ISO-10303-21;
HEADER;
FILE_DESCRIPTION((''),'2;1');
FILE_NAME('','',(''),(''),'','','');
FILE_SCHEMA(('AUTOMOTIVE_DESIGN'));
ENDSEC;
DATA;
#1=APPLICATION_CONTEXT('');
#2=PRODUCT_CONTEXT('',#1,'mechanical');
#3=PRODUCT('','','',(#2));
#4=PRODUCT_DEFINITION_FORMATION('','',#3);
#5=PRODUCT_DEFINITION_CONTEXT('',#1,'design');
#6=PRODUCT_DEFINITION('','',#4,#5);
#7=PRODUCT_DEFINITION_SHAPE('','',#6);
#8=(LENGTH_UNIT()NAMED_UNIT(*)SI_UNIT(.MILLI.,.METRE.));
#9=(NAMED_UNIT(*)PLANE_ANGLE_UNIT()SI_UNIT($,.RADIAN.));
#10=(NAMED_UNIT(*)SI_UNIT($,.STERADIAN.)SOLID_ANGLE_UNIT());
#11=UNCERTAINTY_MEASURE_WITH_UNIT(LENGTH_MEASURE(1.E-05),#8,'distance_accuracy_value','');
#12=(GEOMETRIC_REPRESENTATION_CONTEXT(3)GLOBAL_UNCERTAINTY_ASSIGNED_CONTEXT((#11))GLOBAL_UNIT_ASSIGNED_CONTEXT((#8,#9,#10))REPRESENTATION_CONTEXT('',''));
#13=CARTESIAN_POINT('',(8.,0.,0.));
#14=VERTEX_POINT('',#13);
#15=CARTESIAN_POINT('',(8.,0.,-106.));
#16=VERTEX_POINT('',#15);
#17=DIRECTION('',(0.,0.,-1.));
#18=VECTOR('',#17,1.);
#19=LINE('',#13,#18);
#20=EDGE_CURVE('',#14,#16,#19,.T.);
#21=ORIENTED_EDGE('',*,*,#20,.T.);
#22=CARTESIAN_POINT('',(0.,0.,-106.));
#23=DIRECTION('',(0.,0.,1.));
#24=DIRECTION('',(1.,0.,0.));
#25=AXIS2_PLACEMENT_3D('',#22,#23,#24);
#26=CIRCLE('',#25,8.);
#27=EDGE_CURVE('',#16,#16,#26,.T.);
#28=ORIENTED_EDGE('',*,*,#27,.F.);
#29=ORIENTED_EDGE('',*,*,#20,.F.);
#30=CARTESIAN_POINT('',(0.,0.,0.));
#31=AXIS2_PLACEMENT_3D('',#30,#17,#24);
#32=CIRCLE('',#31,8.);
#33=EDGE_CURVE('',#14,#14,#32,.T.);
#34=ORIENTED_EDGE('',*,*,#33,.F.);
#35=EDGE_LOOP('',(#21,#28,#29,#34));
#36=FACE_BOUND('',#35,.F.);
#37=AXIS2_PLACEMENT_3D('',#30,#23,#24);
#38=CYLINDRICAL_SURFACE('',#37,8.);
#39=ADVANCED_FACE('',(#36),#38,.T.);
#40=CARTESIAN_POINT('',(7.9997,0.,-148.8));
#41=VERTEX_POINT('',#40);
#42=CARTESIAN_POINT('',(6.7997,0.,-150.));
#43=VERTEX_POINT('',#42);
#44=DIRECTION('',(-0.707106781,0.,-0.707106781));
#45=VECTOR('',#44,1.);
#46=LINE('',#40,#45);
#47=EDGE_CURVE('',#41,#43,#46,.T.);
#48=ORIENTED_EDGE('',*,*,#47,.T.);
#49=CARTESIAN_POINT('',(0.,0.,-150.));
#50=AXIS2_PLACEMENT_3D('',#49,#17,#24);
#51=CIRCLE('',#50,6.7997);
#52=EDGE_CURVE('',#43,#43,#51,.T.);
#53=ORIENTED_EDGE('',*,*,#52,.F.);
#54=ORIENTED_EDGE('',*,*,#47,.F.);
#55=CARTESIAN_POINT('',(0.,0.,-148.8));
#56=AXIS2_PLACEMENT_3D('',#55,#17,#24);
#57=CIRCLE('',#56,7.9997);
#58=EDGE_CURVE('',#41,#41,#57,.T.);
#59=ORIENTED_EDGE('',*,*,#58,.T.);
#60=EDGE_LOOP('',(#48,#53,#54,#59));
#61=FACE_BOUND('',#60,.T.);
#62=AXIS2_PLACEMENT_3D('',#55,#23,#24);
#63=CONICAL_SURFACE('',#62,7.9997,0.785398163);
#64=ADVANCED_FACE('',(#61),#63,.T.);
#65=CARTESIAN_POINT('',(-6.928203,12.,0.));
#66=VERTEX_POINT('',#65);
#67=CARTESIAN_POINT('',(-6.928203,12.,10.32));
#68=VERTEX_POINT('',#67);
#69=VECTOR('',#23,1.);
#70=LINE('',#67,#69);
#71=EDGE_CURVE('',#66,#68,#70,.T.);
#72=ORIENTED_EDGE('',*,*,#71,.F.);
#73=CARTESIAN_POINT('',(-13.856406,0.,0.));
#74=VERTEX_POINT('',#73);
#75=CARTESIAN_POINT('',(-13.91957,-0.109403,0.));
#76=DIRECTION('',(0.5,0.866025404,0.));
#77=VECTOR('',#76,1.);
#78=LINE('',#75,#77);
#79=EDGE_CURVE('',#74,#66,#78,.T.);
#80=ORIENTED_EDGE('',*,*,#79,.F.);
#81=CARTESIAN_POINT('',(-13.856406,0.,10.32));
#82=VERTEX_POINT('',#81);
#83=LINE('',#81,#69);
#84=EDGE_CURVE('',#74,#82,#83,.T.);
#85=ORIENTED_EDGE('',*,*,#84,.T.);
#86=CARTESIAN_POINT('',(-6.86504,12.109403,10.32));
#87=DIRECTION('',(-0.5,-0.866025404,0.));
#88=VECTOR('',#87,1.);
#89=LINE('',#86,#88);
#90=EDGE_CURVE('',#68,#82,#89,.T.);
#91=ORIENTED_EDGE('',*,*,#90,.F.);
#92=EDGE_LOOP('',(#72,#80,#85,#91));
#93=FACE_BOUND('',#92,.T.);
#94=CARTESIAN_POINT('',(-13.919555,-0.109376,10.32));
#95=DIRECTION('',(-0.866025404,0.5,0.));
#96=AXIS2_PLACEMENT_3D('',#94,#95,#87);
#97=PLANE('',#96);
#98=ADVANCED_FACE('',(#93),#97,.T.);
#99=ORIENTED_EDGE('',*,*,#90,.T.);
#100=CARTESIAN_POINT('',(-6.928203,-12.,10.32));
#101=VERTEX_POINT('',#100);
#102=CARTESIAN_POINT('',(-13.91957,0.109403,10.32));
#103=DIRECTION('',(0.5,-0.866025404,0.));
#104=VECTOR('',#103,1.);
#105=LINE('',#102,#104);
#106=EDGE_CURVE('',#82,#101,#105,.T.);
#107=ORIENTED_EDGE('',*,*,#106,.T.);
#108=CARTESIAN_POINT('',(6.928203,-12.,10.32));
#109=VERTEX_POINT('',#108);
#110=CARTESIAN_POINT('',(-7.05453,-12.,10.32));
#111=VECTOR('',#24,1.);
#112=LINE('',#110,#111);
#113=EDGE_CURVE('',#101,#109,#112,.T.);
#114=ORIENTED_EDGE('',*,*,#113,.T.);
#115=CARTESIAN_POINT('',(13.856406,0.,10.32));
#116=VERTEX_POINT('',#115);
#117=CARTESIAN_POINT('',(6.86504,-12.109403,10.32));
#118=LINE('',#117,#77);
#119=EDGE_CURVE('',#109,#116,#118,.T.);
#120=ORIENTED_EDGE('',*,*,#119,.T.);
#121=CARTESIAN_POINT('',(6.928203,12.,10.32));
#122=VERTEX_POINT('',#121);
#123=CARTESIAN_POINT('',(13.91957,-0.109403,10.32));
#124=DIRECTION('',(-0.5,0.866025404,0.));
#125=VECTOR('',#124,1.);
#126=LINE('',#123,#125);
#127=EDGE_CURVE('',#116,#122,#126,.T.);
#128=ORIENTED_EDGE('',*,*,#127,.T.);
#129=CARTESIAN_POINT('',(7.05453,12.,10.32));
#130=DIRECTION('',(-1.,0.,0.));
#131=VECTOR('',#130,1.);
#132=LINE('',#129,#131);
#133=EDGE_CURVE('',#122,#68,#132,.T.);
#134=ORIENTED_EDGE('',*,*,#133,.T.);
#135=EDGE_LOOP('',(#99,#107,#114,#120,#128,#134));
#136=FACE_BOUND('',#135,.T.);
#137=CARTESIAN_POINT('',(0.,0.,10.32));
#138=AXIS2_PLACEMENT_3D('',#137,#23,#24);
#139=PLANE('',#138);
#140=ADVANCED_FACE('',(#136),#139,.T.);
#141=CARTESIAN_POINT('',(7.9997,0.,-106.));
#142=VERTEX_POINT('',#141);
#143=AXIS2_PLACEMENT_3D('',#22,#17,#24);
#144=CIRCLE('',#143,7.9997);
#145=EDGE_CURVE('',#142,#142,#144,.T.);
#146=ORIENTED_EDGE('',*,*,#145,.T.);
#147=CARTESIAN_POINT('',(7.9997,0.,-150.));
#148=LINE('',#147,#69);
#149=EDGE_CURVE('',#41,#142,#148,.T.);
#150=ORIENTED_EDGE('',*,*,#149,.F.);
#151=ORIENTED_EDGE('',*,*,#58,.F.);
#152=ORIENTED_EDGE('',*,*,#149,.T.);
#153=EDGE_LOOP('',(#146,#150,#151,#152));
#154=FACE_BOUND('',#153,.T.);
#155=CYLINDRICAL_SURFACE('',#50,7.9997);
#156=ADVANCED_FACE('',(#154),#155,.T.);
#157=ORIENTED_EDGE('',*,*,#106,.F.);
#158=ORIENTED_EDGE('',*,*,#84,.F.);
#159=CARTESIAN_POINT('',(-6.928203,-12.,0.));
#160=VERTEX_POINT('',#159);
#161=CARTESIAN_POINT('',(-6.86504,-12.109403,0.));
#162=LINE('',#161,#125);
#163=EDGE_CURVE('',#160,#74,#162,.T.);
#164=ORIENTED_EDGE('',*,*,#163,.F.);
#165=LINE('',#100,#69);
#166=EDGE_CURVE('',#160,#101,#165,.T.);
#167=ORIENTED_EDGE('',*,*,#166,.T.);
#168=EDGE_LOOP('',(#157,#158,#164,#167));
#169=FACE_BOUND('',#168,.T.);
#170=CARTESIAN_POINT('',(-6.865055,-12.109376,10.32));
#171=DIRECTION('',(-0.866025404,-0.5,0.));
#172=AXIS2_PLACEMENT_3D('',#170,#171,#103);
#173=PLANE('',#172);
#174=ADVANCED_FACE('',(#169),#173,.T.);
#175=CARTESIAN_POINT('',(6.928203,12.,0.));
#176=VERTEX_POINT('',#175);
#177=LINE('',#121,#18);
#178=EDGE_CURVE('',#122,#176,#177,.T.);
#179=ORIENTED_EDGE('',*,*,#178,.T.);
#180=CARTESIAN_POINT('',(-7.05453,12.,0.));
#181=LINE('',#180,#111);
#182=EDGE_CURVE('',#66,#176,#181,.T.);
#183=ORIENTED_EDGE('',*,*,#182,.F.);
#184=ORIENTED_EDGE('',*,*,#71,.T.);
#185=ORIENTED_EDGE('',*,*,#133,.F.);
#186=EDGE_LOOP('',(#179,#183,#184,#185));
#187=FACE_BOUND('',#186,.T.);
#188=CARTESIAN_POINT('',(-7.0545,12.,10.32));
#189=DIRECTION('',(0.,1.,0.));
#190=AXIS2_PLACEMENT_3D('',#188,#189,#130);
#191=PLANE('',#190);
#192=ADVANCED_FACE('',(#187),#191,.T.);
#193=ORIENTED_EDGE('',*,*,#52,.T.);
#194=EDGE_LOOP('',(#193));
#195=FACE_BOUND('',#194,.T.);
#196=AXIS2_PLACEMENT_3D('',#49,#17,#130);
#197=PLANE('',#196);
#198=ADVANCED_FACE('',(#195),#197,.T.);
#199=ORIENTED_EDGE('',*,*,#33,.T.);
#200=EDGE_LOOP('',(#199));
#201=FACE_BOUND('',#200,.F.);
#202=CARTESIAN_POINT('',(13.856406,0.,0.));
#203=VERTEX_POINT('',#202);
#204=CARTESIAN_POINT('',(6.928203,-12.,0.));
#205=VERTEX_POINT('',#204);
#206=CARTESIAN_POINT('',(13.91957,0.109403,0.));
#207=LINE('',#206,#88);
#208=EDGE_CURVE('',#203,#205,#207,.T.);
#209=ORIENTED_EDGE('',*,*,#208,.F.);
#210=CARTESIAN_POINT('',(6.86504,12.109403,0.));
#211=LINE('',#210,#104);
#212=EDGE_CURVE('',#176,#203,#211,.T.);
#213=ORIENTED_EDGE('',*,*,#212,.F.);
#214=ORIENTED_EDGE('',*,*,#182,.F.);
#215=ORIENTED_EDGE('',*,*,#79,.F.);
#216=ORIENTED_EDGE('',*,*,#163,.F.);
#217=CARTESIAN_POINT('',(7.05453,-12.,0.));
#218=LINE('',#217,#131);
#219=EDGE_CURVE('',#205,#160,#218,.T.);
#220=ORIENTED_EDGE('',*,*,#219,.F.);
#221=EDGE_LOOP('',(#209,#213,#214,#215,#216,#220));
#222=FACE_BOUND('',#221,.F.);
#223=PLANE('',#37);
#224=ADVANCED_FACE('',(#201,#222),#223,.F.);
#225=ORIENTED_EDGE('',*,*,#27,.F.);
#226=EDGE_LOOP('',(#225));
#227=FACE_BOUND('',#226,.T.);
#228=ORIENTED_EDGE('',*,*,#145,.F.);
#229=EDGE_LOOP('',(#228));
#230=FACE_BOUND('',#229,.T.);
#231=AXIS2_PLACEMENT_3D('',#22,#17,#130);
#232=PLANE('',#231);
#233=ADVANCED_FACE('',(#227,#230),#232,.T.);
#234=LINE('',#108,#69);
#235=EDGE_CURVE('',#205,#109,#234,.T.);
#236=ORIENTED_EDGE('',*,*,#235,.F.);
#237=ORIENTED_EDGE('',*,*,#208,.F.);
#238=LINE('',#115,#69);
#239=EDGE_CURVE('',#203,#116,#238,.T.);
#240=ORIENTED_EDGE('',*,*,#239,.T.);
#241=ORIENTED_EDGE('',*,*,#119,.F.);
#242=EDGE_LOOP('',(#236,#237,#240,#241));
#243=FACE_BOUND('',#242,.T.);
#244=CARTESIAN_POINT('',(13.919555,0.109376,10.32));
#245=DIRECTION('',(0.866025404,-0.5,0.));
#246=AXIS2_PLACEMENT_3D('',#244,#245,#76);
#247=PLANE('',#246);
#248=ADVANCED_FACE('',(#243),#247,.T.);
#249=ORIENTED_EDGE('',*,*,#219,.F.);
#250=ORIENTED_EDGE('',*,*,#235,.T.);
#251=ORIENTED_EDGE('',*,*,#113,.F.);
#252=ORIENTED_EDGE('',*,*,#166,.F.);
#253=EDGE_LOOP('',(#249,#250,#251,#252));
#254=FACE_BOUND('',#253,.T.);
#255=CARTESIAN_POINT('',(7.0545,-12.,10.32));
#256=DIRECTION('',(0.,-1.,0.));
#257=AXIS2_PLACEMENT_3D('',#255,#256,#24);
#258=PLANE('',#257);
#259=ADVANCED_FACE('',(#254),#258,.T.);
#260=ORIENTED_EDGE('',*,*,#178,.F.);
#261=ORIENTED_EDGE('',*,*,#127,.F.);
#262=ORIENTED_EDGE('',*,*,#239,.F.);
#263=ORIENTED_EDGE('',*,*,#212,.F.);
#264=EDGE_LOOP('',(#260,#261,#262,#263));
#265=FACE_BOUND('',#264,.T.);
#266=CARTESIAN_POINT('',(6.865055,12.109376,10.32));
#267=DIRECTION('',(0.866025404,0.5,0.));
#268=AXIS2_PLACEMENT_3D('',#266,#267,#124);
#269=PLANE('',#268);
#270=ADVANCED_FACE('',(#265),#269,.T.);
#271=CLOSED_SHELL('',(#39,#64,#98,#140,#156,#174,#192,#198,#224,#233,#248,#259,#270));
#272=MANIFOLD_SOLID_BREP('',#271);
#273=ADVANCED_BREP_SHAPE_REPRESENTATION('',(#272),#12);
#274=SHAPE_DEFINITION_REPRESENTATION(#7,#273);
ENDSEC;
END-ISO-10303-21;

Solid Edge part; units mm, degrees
sketch "Sketch1" plane through (0, 0, 0) normal (0, 0, 1) x (1, 0, 0)
  circle A0 centre (0, 0) radius 13.92
  dimension "D1" = 27.84
extrude "Protrusion1" add sketch "Sketch1" along normal blind 10.32
sketch "Sketch2" plane through (0, 0, 0) normal (0, 0, -1) x (1, 0, 0)
  circle A0 centre (0, 0) radius 8
extrude "Protrusion2" add sketch "Sketch2" along normal blind 150
sketch "Sketch3" plane through (0, 0, -150) normal (0, 0, -1) x (1, 0, 0)
  circle A0 centre (0, 0) radius 7.9997
extrude "Cutout1" cut sketch "Sketch3" against normal blind 44 flip side to cut
chamfer "Chamfer_1" distance 1.2 angle 45 1 edges at (-7.9997, 0, -150)
sketch "Sketch4" plane through (0, 0, 10.32) normal (0, 0, 1) x (1, 0, 0)
  line L0 (-7.0545, 12) -> (7.0545, 12)
  dimension "D1" = 24
extrude "Cutout2" cut sketch "Sketch4" against normal up to next material side at (0, 12.05, 10.32)
pattern_circular "Pattern1" count 6 over 360 about axis through (0, 0, 10.32) along (0, 0, 1) of "Cutout2"
properties part number "215564" material "Stainless Steel, 304"
